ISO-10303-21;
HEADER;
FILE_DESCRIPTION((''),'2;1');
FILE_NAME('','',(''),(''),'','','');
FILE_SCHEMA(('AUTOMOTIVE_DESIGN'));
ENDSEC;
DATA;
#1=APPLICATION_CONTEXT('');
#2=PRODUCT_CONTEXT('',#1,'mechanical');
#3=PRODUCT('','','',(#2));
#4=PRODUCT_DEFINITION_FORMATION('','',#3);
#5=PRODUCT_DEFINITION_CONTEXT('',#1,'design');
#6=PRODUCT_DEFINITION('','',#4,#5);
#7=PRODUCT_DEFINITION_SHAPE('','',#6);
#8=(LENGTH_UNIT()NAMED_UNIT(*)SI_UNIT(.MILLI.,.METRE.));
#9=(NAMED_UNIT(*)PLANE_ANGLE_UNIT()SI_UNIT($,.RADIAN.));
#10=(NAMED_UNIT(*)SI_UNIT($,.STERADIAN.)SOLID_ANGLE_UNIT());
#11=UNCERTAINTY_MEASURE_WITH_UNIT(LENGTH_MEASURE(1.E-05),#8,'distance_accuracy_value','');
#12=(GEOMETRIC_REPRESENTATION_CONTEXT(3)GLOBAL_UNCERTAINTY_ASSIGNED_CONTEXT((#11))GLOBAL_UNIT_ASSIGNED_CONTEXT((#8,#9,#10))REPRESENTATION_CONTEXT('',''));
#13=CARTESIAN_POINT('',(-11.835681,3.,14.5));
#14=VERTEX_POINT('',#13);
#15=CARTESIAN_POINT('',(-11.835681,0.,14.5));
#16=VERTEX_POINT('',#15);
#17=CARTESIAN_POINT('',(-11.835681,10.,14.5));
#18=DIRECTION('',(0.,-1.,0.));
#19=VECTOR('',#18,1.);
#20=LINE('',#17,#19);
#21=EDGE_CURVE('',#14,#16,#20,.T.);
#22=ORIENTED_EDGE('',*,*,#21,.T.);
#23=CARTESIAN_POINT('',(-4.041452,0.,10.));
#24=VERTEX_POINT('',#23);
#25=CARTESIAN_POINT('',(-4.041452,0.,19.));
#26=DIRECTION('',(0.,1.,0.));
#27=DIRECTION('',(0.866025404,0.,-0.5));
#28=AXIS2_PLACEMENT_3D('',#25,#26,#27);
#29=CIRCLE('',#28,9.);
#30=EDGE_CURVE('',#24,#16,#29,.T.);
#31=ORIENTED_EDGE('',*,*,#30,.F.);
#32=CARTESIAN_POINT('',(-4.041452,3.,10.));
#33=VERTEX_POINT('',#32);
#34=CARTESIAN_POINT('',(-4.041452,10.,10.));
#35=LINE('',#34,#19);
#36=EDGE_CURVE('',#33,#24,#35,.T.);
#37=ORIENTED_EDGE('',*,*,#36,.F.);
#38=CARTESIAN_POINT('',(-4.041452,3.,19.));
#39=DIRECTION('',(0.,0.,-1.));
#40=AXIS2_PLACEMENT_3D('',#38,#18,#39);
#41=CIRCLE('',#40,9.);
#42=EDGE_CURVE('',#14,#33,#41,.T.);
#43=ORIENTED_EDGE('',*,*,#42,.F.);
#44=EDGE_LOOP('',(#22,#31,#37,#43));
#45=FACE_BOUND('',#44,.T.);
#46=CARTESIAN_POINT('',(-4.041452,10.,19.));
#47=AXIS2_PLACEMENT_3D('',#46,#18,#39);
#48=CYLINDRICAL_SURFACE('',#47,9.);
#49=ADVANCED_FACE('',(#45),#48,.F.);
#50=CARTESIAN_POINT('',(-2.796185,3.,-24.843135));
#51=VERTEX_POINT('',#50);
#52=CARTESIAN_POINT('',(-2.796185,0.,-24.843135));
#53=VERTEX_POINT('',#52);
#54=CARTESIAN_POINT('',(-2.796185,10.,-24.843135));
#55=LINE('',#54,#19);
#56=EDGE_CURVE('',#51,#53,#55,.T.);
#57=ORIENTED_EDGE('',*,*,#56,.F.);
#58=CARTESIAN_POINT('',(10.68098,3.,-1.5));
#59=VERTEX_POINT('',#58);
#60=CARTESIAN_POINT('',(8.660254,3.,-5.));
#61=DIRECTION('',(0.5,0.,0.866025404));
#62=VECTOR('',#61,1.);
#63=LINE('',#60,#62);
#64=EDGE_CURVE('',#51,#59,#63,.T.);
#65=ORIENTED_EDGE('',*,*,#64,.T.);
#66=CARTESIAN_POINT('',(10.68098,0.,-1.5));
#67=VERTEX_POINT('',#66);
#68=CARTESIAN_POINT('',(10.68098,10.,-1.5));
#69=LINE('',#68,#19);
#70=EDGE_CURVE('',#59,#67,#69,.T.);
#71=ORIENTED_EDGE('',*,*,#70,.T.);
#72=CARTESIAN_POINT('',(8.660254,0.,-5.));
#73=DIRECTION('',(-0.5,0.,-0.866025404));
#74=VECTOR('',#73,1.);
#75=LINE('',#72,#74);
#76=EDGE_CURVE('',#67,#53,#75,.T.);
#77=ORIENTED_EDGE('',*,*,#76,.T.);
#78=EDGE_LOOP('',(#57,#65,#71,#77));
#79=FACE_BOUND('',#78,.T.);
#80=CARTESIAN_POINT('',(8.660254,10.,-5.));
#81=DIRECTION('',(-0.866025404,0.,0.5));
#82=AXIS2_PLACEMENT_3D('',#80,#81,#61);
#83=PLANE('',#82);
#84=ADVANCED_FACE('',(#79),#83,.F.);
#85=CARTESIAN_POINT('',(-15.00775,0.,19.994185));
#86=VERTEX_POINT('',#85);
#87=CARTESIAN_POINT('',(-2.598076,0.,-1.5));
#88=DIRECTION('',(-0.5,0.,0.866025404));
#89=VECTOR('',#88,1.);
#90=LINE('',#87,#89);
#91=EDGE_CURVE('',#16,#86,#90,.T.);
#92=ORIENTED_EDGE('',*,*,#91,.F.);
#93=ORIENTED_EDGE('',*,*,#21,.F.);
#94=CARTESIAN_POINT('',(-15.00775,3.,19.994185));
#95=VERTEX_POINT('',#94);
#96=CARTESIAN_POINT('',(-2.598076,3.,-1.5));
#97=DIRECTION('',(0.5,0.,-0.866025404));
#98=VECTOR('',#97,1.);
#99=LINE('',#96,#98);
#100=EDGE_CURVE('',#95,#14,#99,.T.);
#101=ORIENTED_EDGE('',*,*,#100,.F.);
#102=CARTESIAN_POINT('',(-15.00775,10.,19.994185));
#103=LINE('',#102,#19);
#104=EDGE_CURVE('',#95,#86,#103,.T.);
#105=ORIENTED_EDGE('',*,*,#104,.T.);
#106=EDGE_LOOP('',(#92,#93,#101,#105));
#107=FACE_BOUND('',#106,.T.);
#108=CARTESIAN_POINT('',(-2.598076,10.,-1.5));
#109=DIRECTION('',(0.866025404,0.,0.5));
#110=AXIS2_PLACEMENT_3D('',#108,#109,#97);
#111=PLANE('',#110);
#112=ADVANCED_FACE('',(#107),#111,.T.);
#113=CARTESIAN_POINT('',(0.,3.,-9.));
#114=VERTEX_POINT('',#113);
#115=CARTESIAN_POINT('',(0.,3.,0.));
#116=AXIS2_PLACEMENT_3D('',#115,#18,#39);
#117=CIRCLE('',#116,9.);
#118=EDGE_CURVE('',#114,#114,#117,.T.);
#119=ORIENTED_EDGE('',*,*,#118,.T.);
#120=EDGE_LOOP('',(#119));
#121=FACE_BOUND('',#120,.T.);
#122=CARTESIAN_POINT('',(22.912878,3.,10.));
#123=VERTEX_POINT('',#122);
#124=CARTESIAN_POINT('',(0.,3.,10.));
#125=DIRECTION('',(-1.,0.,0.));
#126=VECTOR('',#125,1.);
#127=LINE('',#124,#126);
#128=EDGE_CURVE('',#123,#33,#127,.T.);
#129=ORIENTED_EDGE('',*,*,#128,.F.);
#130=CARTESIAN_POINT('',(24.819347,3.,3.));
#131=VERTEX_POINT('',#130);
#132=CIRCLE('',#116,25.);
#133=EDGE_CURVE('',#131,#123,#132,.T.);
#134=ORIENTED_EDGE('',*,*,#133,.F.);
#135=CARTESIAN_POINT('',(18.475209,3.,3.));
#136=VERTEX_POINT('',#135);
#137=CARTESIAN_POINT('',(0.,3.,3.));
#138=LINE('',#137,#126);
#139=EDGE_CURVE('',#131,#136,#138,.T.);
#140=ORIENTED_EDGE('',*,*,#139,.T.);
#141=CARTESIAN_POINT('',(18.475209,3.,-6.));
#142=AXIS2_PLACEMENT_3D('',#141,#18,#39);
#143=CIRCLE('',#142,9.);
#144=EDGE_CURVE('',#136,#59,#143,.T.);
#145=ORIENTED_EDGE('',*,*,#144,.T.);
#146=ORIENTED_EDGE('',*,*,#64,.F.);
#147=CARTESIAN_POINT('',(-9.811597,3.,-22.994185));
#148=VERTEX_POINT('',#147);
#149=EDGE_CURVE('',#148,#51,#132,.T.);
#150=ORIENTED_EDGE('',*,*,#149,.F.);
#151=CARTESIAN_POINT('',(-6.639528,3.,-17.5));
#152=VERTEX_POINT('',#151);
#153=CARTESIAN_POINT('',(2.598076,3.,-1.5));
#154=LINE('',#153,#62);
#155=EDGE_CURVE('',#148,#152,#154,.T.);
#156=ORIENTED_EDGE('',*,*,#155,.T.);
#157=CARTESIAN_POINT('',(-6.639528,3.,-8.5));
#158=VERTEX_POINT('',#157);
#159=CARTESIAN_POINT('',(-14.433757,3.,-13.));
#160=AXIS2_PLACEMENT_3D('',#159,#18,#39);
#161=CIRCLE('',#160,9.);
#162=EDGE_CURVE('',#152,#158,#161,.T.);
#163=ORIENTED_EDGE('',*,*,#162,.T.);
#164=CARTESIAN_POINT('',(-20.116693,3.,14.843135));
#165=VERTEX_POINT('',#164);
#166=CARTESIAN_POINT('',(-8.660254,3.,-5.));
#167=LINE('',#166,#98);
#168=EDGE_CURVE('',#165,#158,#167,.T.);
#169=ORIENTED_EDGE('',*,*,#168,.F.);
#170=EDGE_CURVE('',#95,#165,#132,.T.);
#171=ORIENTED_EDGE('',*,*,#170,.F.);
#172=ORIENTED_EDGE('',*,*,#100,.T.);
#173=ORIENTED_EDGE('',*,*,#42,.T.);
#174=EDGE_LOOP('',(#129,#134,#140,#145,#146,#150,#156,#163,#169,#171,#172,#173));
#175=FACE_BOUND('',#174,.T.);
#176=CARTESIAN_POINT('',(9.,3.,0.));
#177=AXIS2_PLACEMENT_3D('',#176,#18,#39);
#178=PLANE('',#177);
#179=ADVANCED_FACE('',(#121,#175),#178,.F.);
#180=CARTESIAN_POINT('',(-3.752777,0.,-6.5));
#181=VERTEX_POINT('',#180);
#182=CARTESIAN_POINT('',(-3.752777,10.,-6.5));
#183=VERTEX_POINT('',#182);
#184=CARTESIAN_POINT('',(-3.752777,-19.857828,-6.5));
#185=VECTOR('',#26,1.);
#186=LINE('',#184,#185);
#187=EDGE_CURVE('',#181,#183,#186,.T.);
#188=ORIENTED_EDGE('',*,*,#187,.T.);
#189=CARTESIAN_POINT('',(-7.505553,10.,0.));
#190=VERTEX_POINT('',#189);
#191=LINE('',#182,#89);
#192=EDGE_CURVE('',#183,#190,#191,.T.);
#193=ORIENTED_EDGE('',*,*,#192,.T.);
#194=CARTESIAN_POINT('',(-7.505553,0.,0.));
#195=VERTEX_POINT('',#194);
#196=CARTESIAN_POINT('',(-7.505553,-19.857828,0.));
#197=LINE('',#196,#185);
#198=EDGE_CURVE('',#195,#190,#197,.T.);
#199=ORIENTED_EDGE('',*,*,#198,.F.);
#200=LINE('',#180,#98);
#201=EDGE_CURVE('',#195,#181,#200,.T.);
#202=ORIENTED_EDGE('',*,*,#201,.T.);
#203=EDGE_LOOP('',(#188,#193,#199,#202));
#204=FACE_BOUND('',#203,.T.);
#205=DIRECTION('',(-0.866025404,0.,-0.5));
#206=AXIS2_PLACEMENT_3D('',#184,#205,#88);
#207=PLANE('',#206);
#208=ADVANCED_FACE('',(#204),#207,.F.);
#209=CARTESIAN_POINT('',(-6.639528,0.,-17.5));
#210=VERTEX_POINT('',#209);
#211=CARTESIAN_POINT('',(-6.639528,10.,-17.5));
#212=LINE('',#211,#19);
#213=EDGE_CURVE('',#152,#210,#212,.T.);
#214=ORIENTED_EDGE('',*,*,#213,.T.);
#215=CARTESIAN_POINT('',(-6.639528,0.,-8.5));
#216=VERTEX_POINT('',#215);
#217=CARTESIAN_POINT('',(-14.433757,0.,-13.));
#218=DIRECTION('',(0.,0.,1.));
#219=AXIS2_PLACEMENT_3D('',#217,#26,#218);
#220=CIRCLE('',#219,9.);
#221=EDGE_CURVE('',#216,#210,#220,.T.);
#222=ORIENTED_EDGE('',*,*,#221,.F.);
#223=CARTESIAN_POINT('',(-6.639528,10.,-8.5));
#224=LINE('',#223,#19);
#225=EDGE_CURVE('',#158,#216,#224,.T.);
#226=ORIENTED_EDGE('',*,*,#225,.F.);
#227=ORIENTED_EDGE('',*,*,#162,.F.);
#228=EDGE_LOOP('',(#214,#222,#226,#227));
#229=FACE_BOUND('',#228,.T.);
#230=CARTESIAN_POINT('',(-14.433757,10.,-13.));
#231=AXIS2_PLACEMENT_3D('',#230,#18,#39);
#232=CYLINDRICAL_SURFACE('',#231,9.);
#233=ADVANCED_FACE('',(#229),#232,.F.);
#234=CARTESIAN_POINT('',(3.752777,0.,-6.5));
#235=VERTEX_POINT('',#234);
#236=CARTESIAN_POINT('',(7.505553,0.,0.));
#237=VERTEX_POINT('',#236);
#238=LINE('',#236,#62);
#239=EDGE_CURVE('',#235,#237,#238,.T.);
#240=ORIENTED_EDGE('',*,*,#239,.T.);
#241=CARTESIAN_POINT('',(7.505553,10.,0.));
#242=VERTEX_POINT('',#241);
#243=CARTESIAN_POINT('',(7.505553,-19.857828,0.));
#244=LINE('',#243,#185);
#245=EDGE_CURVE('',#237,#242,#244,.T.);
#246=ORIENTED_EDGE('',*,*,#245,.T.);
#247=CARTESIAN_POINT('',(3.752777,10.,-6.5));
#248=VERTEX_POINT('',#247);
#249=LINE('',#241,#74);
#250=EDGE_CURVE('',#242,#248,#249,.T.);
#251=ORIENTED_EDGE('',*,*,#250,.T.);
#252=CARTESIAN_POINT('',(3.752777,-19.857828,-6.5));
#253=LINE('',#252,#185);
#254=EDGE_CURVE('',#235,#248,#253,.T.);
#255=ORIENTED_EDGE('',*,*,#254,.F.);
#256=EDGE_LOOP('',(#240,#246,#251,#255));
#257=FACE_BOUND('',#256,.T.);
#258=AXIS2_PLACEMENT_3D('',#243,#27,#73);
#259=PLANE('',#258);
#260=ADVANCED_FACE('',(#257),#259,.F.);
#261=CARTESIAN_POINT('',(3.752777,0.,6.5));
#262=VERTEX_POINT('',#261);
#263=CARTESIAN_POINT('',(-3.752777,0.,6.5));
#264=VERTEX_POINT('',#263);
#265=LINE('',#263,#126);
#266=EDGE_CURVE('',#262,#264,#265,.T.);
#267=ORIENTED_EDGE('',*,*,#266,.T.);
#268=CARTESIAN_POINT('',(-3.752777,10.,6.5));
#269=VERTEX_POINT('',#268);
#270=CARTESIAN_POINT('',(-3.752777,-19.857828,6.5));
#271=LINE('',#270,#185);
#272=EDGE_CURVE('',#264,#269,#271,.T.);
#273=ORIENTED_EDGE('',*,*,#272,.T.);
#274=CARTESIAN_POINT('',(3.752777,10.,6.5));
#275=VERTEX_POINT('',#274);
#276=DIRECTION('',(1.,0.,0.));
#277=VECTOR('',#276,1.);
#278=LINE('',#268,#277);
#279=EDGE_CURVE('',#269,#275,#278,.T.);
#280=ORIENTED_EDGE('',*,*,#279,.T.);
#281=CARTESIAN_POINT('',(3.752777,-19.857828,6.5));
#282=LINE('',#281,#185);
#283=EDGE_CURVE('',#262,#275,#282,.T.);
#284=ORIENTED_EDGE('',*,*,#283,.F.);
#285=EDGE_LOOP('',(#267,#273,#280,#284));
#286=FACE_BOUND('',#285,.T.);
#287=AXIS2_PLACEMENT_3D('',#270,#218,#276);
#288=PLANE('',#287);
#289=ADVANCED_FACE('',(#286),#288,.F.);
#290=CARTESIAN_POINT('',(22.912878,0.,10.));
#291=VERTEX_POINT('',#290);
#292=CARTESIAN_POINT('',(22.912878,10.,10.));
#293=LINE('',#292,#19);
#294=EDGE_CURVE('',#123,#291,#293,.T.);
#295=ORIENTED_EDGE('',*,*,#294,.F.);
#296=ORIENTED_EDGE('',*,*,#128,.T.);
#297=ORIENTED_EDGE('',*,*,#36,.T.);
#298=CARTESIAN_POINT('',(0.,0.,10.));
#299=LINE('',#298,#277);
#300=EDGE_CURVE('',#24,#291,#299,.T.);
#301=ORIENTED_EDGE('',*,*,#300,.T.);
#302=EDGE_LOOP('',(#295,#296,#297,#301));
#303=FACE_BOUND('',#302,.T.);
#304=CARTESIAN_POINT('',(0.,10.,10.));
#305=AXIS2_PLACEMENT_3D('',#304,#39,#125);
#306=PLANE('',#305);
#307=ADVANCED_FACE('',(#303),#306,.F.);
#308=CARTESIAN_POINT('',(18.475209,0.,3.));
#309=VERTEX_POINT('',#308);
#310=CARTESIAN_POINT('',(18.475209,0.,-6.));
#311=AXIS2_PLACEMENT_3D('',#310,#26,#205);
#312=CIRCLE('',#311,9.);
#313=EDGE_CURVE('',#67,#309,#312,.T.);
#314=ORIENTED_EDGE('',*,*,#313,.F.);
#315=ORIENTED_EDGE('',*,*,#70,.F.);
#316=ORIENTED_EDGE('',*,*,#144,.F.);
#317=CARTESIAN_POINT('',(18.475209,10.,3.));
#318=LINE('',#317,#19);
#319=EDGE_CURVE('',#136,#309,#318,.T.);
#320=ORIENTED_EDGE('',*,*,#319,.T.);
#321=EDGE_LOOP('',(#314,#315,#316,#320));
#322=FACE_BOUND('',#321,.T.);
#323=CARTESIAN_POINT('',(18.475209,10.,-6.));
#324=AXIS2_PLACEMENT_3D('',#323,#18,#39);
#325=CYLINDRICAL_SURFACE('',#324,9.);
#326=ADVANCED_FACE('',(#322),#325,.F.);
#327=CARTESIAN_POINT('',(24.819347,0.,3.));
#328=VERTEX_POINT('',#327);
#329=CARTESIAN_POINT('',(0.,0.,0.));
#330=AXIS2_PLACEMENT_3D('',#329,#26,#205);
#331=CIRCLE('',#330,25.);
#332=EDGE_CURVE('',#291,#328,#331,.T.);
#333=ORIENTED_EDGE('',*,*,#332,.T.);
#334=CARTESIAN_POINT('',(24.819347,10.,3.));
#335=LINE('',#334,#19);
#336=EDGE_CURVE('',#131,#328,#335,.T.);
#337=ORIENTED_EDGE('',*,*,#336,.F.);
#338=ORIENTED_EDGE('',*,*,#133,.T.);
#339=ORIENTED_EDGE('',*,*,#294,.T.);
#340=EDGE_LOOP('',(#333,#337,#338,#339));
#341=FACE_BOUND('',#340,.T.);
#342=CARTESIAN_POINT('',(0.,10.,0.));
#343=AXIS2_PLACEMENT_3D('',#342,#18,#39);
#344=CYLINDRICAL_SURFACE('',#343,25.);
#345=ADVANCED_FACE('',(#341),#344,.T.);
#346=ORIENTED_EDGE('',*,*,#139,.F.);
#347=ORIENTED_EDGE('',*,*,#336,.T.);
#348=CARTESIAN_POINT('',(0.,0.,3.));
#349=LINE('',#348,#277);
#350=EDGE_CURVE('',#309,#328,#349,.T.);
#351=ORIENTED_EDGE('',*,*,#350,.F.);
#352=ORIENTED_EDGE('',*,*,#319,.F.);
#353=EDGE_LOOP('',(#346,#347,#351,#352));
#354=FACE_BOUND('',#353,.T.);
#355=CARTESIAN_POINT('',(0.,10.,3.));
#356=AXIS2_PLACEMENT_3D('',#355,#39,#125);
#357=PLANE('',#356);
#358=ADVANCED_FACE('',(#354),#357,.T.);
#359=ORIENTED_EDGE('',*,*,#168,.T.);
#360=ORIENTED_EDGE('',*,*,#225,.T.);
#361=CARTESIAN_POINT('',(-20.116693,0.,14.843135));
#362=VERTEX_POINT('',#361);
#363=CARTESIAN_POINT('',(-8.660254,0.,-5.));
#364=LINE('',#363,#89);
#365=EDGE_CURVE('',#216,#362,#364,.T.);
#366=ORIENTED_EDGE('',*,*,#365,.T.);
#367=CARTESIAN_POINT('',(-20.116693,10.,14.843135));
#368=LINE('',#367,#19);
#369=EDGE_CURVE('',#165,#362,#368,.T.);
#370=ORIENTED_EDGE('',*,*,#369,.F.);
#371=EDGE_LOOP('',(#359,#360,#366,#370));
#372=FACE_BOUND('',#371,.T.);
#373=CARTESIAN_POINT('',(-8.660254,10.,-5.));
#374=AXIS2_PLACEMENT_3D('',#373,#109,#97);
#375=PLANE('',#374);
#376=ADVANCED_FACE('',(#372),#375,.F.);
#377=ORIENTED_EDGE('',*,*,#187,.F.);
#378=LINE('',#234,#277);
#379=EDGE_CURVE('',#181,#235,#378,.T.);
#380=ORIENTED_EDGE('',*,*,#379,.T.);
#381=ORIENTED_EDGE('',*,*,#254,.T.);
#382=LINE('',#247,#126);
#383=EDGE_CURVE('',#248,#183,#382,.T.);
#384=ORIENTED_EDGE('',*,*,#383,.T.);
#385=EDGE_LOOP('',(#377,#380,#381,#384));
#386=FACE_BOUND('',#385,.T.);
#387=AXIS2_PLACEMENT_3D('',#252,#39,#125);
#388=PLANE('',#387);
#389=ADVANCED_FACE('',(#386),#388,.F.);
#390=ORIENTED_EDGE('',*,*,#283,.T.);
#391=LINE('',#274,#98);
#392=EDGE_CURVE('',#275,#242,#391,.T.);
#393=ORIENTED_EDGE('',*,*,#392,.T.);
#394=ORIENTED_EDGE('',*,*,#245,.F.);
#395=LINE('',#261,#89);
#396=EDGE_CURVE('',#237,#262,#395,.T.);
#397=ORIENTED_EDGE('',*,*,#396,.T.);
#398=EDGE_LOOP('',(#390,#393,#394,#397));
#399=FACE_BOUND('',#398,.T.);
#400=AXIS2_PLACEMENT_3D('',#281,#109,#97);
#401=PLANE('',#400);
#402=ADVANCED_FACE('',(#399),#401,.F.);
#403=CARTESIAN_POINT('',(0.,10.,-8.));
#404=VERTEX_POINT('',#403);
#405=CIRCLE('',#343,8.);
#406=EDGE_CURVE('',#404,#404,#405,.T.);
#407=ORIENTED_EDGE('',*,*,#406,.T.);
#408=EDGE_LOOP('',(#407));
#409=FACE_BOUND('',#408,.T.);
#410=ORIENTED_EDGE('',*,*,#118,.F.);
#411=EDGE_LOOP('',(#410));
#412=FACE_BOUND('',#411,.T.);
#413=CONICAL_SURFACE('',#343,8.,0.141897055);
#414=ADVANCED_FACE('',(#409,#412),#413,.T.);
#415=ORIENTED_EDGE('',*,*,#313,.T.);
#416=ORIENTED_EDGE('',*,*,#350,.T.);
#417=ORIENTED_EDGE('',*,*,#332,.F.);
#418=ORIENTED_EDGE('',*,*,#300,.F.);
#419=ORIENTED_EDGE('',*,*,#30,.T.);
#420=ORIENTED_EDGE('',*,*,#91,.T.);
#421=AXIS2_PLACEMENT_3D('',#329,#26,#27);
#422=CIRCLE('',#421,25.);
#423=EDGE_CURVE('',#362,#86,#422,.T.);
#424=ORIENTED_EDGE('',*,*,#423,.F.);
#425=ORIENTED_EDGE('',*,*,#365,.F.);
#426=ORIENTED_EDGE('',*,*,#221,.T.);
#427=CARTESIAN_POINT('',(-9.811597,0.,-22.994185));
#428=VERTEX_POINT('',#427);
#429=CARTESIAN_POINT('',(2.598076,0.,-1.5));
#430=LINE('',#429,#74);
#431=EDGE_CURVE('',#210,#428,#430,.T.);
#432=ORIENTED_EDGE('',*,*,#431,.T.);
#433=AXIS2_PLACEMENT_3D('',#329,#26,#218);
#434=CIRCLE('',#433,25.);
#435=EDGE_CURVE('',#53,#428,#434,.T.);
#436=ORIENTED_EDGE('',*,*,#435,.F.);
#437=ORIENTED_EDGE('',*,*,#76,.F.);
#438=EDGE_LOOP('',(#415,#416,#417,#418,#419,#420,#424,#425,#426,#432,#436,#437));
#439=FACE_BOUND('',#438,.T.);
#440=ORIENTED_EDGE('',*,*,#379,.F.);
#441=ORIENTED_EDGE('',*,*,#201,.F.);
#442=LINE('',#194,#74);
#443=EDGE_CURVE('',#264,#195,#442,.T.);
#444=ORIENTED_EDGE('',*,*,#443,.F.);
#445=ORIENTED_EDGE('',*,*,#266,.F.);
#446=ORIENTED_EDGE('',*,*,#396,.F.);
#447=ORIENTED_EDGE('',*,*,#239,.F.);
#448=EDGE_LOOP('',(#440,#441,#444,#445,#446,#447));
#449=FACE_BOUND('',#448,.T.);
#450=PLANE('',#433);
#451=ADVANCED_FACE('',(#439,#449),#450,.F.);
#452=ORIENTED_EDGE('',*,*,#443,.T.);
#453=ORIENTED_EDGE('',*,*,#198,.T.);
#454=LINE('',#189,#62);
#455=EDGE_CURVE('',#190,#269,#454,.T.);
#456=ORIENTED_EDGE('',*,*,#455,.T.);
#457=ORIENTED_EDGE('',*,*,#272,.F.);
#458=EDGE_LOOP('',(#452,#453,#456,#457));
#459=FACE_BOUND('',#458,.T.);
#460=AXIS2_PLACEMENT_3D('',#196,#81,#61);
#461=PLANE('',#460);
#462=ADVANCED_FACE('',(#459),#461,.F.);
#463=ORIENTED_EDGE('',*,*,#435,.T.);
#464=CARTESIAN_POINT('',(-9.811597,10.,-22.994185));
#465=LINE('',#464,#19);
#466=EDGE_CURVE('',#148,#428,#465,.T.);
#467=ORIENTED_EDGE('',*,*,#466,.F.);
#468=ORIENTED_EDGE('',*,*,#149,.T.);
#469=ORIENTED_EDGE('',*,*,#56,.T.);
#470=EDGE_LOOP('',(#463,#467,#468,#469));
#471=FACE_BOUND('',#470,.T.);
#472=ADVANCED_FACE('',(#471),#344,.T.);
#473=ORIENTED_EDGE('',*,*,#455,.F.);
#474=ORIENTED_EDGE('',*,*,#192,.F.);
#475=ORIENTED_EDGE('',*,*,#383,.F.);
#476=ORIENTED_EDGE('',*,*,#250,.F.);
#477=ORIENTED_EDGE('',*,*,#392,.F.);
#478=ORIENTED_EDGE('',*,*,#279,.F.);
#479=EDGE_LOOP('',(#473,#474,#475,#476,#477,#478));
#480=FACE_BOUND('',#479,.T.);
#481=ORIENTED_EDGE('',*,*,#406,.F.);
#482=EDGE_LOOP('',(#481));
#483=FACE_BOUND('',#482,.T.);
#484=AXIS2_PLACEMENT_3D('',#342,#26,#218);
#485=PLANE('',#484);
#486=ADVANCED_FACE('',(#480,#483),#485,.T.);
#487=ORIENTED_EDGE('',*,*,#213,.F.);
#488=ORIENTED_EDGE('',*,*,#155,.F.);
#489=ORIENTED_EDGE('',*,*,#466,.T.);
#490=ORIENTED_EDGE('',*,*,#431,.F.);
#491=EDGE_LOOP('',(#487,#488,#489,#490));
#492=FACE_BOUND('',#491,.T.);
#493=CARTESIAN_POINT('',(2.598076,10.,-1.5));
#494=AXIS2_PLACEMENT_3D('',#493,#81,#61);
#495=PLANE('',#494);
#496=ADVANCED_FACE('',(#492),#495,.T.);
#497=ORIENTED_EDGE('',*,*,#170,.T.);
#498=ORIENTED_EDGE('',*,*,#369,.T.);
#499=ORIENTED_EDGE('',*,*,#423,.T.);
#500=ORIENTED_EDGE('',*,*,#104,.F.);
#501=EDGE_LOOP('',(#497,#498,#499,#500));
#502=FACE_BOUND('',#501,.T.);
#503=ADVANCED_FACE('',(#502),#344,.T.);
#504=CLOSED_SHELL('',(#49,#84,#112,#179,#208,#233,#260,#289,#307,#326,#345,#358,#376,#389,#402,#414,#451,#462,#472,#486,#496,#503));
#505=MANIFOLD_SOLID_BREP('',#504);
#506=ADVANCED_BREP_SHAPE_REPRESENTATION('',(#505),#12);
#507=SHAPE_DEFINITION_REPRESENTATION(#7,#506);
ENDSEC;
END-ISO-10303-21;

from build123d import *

# Parameters (mm, degrees)
SKETCH1_R           = 1.9
BOSS_EXTRUDE1_DEPTH = 10
CIRPATTERN1_COUNT   = 3
CUT_EXTRUDE1_DEPTH  = 10


with BuildPart() as part:
    # Sketch1 → Boss-Extrude1 (new body)
    with BuildSketch(Plane(origin=(0, 0, 0), x_dir=(1, 0, 0), z_dir=(0, 1, 0))):
        with BuildLine():
            ThreePointArc((-2.7961852, 24.843134833), (-6.371318495, 24.174496905), (-9.811597435, 22.99418526))
            Line((-9.811597435, 22.99418526), (-6.639528096, 17.5))
            ThreePointArc((-6.639528096, 17.5), (-5.43375673, 13), (-6.639528096, 8.5))
            Line((-6.639528096, 8.5), (-17.320508076, -10))
            Line((-17.320508076, -10), (17.320508076, -10))
            Line((17.320508076, -10), (-2.7961852, 24.843134833))
        make_face()
        with Locations(Location((0, 0, 0), (0, 0, 270))):
            Circle(SKETCH1_R, mode=Mode.SUBTRACT)
    boss_extrude1 = extrude(amount=BOSS_EXTRUDE1_DEPTH)

    # CirPattern1: Boss-Extrude1 ×3 about axis
    cirpattern1_axis = Axis((0, 0, 0), (0, 1, 0))
    for i in range(1, CIRPATTERN1_COUNT):
        add(boss_extrude1.rotate(cirpattern1_axis, i * 360 / CIRPATTERN1_COUNT))

    # Sketch3 → Cut-Extrude1 (cut)
    with BuildSketch(Plane(origin=(0, 10, 0), x_dir=(1, 0, 0), z_dir=(0, 1, 0))):
        Polygon((3.75277675, 6.5), (-3.75277675, 6.5), (-7.505553499, 0), (-3.75277675, -6.5), (3.75277675, -6.5), (7.505553499, 0), align=None)
    extrude(amount=-CUT_EXTRUDE1_DEPTH, mode=Mode.SUBTRACT)

    # Sketch5 → Cut-Revolve2 (revolve, cut)
    with BuildSketch(Plane.XY, mode=Mode.PRIVATE) as cut_revolve2_sk:
        Polygon((8, 10), (29.75960594, 10), (29.75960594, 3), (9, 3), align=None)
    revolve(cut_revolve2_sk.sketch.rotate(Axis((0, 0, 0), (0, 1, 0)), 90), axis=Axis((0, 0, 0), (0, 1, 0)), mode=Mode.SUBTRACT)


solid = part.part
